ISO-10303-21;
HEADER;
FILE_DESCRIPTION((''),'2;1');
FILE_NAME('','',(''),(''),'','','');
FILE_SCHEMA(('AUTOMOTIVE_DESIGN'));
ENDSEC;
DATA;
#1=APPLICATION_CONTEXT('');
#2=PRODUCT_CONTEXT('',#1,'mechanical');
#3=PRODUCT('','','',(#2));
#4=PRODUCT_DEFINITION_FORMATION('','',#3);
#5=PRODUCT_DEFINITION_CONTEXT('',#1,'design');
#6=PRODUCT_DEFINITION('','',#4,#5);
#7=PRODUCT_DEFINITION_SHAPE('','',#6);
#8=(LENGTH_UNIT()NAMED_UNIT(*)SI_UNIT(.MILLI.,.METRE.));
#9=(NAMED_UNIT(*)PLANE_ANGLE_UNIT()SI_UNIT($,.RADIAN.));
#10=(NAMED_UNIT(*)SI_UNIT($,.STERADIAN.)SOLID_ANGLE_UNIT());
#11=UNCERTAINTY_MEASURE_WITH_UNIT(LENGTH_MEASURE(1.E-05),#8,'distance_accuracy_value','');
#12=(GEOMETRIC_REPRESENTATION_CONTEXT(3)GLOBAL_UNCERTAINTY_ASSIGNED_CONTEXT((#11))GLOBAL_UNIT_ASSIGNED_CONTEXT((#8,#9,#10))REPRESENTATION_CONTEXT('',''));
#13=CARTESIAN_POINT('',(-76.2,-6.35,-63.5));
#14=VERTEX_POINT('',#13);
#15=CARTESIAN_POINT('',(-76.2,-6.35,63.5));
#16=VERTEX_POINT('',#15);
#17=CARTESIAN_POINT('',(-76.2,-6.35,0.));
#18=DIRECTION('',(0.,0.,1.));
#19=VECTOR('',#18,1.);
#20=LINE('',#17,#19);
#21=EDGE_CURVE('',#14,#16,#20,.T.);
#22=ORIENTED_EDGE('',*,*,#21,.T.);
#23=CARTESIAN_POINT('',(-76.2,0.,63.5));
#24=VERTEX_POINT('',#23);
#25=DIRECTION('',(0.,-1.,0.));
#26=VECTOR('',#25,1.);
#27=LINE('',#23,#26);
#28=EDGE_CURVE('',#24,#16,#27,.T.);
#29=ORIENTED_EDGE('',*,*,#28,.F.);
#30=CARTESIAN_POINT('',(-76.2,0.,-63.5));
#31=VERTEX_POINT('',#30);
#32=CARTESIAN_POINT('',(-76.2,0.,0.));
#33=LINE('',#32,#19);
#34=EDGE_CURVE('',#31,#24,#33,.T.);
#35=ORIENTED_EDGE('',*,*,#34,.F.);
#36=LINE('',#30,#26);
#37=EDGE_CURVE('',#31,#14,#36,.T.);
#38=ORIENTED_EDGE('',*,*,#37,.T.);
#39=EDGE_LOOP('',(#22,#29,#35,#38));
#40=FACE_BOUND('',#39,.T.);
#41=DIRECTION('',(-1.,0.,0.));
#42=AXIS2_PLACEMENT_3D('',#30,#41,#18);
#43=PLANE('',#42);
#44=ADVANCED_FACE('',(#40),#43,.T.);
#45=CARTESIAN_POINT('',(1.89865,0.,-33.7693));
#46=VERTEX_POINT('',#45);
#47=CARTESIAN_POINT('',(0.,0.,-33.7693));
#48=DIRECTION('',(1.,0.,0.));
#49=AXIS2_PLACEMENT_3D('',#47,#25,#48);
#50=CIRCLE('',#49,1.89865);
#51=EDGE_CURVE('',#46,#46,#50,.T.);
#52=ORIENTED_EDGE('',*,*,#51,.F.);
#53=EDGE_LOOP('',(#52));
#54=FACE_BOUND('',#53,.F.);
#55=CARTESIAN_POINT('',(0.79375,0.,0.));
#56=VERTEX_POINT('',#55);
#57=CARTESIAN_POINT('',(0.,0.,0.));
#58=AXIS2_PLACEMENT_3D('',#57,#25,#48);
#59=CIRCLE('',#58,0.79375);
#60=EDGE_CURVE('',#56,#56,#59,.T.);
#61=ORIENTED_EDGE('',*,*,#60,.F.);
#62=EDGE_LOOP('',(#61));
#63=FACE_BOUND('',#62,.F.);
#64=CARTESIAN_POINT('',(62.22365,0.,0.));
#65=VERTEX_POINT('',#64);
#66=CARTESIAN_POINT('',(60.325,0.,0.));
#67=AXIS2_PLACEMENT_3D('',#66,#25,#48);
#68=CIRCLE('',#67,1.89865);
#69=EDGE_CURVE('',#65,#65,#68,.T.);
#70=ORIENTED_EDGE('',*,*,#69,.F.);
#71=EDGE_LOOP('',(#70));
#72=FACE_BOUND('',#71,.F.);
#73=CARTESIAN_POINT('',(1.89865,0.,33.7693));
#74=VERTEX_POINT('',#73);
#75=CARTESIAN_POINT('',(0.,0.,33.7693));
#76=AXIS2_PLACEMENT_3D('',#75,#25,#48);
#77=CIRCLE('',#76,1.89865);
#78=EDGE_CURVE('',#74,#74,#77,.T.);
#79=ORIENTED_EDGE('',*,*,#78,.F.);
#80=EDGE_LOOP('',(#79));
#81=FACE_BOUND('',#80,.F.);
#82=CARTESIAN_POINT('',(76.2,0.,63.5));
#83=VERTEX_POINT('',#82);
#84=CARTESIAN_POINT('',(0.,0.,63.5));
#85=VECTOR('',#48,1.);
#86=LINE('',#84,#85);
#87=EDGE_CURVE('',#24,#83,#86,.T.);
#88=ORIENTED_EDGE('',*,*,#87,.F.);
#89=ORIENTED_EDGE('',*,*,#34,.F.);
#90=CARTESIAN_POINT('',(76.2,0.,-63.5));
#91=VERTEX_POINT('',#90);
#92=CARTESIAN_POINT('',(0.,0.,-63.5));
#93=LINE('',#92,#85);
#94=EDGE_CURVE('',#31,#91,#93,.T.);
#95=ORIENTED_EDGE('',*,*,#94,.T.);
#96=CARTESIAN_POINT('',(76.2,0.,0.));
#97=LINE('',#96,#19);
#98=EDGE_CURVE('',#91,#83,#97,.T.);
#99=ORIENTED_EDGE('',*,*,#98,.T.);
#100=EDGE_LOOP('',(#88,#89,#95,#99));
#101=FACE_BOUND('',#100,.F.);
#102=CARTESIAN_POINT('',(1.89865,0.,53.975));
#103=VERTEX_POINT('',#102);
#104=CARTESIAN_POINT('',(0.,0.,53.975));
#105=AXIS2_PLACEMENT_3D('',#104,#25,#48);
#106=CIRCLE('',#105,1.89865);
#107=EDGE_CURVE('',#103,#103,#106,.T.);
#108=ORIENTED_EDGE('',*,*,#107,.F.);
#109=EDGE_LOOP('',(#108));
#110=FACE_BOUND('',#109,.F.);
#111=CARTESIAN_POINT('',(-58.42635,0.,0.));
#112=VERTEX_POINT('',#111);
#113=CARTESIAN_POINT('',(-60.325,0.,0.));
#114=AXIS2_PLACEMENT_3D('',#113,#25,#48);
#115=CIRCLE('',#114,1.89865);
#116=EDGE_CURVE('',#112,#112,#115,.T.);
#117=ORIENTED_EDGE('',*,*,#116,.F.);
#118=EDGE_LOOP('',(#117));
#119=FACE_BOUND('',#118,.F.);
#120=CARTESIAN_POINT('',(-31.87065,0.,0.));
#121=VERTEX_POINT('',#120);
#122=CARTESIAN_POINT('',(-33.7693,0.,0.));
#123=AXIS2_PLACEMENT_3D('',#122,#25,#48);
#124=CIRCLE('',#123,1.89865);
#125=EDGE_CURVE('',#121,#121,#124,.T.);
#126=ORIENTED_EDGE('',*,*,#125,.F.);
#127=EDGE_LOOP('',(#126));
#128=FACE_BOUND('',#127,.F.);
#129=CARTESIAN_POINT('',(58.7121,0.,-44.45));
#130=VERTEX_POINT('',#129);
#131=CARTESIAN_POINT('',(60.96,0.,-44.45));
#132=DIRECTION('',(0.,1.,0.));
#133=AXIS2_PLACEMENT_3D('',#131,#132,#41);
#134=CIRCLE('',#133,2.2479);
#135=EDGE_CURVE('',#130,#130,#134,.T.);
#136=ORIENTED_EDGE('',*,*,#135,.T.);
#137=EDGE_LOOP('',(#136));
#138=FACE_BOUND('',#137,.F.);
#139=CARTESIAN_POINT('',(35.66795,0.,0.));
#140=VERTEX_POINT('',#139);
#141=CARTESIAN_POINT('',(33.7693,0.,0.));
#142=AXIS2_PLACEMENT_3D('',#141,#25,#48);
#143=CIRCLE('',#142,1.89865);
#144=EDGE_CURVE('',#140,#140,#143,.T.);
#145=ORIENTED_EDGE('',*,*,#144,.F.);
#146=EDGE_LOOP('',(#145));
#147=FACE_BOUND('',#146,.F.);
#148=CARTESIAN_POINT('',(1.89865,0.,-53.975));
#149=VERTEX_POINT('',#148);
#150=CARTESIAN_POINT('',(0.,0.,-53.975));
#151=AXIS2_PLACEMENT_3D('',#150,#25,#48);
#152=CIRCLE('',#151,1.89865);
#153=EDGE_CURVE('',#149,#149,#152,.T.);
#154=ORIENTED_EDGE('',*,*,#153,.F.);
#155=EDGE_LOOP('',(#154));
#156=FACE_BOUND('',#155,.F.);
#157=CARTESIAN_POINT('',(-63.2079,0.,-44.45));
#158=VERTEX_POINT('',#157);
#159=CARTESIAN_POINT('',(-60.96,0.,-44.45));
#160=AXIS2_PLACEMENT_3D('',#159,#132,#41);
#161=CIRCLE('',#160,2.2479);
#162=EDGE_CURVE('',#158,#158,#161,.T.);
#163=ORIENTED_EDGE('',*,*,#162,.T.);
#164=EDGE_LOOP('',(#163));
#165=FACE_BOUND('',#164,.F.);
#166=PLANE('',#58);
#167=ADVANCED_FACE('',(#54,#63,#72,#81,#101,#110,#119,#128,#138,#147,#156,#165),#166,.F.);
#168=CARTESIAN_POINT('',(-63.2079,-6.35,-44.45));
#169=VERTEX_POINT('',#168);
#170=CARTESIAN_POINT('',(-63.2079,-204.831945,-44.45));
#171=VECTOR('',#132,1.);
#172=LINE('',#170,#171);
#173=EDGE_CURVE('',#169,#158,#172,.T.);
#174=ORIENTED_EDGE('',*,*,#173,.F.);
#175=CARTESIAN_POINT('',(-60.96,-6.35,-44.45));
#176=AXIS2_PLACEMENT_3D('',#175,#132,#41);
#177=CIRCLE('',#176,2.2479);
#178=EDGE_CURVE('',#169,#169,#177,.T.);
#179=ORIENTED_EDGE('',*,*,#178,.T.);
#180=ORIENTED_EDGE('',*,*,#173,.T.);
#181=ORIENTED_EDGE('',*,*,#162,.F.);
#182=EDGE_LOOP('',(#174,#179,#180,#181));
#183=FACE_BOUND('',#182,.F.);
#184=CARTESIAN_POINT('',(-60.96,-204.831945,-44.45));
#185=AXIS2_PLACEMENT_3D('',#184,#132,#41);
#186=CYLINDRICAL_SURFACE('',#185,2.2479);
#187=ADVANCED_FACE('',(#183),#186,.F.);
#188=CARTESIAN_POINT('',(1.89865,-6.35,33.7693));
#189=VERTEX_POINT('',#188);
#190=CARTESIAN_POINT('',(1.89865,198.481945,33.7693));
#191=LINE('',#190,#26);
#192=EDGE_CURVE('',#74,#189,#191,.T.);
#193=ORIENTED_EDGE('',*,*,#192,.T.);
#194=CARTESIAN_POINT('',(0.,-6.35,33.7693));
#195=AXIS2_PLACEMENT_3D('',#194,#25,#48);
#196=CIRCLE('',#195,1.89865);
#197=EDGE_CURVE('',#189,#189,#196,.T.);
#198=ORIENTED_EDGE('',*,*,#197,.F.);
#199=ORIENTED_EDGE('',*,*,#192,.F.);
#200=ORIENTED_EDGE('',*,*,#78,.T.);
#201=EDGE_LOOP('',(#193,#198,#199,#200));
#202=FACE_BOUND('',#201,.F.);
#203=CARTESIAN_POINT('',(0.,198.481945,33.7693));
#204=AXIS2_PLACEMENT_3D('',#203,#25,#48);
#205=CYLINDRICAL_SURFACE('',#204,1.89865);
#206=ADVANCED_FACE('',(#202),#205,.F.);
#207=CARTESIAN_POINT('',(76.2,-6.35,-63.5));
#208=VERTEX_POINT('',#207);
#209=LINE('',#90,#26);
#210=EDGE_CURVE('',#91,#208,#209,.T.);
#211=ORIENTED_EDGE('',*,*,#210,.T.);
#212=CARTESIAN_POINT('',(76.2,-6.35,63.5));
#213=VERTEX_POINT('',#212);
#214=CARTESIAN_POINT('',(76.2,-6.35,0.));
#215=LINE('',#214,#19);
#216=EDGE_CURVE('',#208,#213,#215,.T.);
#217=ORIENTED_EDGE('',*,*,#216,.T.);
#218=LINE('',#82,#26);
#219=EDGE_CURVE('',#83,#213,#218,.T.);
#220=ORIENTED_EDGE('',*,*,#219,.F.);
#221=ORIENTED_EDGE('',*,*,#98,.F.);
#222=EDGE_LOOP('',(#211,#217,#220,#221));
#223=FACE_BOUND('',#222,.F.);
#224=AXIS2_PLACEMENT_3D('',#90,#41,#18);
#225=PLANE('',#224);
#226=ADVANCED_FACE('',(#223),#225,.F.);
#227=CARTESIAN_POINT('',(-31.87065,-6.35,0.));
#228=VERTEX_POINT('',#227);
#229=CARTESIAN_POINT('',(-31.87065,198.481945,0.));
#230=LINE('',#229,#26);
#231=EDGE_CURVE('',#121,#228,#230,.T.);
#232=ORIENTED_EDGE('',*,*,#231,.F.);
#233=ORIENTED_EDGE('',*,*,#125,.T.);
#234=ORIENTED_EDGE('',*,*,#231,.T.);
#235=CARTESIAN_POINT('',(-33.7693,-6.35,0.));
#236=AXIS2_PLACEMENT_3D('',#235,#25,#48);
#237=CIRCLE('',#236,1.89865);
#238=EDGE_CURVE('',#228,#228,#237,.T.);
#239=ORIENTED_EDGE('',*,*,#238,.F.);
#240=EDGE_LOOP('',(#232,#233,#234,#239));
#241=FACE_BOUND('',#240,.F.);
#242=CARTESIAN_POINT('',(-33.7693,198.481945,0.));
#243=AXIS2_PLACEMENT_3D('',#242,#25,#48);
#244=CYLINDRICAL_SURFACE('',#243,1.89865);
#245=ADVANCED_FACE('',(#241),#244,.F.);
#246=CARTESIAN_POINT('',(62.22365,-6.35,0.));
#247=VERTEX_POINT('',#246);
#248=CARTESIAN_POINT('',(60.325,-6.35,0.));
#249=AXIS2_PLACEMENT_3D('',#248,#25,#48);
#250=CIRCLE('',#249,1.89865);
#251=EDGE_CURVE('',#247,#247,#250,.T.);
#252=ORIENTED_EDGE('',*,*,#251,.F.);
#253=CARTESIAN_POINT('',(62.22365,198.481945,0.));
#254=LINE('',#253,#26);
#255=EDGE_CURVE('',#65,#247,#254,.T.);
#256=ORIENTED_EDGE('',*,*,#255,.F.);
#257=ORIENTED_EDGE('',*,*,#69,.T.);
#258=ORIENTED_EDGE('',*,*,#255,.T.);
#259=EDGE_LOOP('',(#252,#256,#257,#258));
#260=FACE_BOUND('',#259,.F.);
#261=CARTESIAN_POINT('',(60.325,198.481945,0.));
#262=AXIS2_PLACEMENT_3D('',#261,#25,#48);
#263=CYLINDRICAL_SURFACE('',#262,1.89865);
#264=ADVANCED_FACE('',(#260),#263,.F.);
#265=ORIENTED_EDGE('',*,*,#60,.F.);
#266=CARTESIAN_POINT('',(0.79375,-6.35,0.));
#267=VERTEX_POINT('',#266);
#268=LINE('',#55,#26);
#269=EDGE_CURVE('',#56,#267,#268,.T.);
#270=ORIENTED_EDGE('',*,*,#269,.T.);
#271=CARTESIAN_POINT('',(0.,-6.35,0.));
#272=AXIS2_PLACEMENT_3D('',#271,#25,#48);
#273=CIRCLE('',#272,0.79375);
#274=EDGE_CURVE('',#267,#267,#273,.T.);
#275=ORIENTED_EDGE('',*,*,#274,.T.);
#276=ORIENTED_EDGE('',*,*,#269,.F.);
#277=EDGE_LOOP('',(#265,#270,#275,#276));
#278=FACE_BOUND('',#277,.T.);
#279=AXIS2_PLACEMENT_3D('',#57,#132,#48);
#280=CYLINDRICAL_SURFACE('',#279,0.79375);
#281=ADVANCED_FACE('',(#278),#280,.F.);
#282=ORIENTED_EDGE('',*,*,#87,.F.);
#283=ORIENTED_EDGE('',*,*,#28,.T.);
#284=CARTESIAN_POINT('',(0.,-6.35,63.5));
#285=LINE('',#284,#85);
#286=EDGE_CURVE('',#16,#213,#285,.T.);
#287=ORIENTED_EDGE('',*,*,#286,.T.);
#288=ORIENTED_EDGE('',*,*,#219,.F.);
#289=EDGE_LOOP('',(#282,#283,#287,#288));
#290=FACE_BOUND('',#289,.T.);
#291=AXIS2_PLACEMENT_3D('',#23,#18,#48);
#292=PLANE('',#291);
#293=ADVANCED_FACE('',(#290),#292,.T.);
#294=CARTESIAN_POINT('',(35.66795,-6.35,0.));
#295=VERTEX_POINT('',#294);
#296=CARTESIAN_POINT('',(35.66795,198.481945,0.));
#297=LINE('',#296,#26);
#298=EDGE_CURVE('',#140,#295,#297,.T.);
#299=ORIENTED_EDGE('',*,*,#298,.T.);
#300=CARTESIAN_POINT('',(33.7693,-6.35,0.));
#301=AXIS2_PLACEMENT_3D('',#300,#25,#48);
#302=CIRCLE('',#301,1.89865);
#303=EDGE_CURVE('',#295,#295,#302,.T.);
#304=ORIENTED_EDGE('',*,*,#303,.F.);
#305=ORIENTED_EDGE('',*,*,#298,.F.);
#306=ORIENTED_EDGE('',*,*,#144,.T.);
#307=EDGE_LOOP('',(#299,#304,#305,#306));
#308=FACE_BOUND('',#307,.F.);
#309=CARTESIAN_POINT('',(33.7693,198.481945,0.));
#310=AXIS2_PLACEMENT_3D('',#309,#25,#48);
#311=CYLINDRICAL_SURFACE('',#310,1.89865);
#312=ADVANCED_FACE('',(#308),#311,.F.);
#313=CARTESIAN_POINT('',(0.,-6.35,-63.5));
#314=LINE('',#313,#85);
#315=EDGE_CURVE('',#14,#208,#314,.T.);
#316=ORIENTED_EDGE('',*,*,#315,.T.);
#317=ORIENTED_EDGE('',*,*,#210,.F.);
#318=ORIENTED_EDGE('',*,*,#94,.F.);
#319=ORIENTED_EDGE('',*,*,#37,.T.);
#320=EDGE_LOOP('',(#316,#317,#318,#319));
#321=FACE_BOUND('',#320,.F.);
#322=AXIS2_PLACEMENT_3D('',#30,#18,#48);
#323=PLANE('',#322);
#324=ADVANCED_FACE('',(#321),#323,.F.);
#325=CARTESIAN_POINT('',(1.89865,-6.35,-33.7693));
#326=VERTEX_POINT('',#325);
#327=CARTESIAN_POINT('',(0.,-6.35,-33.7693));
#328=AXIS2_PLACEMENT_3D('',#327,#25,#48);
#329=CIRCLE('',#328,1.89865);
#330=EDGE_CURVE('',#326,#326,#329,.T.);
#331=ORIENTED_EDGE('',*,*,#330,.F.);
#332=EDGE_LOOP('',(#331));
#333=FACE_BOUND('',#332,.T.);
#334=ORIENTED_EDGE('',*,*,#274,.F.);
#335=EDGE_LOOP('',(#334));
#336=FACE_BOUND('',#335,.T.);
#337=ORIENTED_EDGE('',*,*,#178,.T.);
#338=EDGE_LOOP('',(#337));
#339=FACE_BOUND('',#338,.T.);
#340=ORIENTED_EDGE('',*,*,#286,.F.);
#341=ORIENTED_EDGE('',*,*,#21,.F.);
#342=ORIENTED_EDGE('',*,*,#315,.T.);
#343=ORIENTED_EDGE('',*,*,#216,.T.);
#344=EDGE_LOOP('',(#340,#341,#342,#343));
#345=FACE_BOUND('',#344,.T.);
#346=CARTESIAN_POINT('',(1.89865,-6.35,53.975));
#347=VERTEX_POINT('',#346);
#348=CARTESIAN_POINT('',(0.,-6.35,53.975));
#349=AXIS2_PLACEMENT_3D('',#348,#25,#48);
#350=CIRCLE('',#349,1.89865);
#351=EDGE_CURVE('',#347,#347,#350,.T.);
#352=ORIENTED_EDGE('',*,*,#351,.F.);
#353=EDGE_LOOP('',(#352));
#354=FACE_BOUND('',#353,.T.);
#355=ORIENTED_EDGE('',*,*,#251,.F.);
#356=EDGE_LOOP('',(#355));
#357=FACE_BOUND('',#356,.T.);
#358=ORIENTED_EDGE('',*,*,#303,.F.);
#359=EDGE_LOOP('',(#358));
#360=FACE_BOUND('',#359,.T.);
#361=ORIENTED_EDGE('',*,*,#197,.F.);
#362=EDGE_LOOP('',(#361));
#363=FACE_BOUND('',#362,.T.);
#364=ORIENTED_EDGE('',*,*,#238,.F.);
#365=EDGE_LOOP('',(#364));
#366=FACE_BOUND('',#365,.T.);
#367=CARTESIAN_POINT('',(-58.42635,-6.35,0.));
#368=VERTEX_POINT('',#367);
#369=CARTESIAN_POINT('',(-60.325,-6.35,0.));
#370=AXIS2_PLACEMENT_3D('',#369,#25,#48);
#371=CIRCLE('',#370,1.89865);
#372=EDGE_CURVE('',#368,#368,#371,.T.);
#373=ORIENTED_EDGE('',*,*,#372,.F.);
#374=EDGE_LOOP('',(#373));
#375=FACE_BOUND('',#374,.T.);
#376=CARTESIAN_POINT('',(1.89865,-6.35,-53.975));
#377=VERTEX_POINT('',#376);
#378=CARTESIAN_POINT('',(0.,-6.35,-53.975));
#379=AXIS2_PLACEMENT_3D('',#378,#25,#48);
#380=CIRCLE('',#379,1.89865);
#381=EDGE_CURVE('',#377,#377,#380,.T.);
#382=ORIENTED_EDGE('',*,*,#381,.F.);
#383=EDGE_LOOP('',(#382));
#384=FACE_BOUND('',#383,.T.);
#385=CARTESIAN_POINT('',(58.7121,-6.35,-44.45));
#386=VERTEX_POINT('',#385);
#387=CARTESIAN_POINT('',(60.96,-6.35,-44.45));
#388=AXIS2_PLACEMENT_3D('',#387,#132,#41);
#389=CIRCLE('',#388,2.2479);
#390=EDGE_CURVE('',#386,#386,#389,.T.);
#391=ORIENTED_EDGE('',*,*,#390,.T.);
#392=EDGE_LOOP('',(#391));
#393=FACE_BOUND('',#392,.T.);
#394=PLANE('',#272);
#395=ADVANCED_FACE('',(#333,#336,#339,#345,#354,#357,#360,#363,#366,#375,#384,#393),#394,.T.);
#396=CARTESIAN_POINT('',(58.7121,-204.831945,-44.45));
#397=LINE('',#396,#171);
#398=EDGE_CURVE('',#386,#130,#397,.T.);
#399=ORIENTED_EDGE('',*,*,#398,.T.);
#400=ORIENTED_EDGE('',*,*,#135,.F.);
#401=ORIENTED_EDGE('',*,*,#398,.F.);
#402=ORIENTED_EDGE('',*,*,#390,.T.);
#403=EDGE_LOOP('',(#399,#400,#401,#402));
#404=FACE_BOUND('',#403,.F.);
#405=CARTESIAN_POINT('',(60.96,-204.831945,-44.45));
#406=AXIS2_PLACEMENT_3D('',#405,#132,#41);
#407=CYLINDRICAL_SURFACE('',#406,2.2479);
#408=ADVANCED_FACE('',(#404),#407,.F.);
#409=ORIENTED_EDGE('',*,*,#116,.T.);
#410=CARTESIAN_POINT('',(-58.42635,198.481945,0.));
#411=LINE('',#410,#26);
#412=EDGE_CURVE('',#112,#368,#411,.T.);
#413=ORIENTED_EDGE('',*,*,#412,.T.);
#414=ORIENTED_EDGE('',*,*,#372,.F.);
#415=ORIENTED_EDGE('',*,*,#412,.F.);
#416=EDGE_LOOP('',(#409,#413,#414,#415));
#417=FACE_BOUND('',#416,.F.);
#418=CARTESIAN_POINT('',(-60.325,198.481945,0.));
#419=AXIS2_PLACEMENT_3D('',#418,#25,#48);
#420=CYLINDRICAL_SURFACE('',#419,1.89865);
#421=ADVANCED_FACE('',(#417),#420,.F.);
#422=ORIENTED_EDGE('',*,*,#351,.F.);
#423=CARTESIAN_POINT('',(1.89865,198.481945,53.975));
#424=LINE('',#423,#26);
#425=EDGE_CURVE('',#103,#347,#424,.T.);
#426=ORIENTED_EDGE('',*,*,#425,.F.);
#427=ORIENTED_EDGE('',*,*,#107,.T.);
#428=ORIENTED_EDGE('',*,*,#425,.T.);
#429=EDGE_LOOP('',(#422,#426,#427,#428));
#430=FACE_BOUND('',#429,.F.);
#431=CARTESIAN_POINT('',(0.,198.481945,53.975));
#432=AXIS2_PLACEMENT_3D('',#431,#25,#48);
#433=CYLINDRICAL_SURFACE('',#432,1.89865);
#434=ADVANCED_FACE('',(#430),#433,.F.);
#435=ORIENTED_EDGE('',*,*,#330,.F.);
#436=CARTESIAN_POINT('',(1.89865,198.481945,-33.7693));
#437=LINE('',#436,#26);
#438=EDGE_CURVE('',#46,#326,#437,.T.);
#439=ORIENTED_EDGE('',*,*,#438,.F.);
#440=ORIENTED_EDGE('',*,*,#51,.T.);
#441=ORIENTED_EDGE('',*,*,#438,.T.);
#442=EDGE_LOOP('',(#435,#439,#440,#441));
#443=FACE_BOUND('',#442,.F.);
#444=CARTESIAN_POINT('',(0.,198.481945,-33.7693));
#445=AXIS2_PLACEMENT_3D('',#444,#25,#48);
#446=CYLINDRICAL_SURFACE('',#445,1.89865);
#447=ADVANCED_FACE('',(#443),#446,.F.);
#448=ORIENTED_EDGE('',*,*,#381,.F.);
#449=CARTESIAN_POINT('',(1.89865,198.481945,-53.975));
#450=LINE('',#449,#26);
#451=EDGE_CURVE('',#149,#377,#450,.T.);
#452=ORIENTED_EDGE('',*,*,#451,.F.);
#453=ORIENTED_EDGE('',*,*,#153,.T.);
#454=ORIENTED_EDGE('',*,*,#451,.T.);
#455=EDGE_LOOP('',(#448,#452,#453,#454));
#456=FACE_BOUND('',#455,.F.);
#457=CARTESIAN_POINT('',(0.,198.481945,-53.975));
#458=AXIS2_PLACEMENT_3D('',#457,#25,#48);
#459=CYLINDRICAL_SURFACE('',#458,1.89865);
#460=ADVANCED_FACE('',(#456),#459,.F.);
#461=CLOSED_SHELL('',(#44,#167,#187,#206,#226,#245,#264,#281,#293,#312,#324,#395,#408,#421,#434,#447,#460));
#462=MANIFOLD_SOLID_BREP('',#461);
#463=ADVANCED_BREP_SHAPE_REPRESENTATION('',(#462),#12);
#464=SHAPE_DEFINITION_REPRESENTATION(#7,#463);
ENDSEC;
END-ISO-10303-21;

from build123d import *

# Parameters (mm, degrees)
F0_W     = 152.4
F0_H     = 127
F0_R     = 0.79375
F1_DEPTH = 6.35
F3_D     = 3.7973
F5_D     = 3.7973
F8_D     = 4.4958


with BuildPart() as f1:
    # F0 (on Front) → F1 (new body)
    with BuildSketch(Plane.XZ):
        Rectangle(F0_W, F0_H)
        Circle(F0_R, mode=Mode.SUBTRACT)
    extrude(amount=F1_DEPTH)

    # F3 (through all)
    with Locations(Plane(origin=(0, 0, 0), x_dir=(-1, 0, 0), z_dir=(0, 1, 0))):
        with Locations((0, 33.7693), (33.7693, 0), (-33.7693, 0), (0, -33.7693)):
            Hole(F3_D / 2)

    # F5 (through all)
    with Locations(Plane(origin=(0, 0, 0), x_dir=(-1, 0, 0), z_dir=(0, 1, 0))):
        with Locations((0, 53.975), (60.325, 0), (0, -53.975), (-60.325, 0)):
            Hole(F5_D / 2)

    # F8 (through all)
    with Locations(Plane.XZ.offset(6.35)):
        with Locations((-60.96, -44.45), (60.96, -44.45)):
            Hole(F8_D / 2)


solid = f1.part
